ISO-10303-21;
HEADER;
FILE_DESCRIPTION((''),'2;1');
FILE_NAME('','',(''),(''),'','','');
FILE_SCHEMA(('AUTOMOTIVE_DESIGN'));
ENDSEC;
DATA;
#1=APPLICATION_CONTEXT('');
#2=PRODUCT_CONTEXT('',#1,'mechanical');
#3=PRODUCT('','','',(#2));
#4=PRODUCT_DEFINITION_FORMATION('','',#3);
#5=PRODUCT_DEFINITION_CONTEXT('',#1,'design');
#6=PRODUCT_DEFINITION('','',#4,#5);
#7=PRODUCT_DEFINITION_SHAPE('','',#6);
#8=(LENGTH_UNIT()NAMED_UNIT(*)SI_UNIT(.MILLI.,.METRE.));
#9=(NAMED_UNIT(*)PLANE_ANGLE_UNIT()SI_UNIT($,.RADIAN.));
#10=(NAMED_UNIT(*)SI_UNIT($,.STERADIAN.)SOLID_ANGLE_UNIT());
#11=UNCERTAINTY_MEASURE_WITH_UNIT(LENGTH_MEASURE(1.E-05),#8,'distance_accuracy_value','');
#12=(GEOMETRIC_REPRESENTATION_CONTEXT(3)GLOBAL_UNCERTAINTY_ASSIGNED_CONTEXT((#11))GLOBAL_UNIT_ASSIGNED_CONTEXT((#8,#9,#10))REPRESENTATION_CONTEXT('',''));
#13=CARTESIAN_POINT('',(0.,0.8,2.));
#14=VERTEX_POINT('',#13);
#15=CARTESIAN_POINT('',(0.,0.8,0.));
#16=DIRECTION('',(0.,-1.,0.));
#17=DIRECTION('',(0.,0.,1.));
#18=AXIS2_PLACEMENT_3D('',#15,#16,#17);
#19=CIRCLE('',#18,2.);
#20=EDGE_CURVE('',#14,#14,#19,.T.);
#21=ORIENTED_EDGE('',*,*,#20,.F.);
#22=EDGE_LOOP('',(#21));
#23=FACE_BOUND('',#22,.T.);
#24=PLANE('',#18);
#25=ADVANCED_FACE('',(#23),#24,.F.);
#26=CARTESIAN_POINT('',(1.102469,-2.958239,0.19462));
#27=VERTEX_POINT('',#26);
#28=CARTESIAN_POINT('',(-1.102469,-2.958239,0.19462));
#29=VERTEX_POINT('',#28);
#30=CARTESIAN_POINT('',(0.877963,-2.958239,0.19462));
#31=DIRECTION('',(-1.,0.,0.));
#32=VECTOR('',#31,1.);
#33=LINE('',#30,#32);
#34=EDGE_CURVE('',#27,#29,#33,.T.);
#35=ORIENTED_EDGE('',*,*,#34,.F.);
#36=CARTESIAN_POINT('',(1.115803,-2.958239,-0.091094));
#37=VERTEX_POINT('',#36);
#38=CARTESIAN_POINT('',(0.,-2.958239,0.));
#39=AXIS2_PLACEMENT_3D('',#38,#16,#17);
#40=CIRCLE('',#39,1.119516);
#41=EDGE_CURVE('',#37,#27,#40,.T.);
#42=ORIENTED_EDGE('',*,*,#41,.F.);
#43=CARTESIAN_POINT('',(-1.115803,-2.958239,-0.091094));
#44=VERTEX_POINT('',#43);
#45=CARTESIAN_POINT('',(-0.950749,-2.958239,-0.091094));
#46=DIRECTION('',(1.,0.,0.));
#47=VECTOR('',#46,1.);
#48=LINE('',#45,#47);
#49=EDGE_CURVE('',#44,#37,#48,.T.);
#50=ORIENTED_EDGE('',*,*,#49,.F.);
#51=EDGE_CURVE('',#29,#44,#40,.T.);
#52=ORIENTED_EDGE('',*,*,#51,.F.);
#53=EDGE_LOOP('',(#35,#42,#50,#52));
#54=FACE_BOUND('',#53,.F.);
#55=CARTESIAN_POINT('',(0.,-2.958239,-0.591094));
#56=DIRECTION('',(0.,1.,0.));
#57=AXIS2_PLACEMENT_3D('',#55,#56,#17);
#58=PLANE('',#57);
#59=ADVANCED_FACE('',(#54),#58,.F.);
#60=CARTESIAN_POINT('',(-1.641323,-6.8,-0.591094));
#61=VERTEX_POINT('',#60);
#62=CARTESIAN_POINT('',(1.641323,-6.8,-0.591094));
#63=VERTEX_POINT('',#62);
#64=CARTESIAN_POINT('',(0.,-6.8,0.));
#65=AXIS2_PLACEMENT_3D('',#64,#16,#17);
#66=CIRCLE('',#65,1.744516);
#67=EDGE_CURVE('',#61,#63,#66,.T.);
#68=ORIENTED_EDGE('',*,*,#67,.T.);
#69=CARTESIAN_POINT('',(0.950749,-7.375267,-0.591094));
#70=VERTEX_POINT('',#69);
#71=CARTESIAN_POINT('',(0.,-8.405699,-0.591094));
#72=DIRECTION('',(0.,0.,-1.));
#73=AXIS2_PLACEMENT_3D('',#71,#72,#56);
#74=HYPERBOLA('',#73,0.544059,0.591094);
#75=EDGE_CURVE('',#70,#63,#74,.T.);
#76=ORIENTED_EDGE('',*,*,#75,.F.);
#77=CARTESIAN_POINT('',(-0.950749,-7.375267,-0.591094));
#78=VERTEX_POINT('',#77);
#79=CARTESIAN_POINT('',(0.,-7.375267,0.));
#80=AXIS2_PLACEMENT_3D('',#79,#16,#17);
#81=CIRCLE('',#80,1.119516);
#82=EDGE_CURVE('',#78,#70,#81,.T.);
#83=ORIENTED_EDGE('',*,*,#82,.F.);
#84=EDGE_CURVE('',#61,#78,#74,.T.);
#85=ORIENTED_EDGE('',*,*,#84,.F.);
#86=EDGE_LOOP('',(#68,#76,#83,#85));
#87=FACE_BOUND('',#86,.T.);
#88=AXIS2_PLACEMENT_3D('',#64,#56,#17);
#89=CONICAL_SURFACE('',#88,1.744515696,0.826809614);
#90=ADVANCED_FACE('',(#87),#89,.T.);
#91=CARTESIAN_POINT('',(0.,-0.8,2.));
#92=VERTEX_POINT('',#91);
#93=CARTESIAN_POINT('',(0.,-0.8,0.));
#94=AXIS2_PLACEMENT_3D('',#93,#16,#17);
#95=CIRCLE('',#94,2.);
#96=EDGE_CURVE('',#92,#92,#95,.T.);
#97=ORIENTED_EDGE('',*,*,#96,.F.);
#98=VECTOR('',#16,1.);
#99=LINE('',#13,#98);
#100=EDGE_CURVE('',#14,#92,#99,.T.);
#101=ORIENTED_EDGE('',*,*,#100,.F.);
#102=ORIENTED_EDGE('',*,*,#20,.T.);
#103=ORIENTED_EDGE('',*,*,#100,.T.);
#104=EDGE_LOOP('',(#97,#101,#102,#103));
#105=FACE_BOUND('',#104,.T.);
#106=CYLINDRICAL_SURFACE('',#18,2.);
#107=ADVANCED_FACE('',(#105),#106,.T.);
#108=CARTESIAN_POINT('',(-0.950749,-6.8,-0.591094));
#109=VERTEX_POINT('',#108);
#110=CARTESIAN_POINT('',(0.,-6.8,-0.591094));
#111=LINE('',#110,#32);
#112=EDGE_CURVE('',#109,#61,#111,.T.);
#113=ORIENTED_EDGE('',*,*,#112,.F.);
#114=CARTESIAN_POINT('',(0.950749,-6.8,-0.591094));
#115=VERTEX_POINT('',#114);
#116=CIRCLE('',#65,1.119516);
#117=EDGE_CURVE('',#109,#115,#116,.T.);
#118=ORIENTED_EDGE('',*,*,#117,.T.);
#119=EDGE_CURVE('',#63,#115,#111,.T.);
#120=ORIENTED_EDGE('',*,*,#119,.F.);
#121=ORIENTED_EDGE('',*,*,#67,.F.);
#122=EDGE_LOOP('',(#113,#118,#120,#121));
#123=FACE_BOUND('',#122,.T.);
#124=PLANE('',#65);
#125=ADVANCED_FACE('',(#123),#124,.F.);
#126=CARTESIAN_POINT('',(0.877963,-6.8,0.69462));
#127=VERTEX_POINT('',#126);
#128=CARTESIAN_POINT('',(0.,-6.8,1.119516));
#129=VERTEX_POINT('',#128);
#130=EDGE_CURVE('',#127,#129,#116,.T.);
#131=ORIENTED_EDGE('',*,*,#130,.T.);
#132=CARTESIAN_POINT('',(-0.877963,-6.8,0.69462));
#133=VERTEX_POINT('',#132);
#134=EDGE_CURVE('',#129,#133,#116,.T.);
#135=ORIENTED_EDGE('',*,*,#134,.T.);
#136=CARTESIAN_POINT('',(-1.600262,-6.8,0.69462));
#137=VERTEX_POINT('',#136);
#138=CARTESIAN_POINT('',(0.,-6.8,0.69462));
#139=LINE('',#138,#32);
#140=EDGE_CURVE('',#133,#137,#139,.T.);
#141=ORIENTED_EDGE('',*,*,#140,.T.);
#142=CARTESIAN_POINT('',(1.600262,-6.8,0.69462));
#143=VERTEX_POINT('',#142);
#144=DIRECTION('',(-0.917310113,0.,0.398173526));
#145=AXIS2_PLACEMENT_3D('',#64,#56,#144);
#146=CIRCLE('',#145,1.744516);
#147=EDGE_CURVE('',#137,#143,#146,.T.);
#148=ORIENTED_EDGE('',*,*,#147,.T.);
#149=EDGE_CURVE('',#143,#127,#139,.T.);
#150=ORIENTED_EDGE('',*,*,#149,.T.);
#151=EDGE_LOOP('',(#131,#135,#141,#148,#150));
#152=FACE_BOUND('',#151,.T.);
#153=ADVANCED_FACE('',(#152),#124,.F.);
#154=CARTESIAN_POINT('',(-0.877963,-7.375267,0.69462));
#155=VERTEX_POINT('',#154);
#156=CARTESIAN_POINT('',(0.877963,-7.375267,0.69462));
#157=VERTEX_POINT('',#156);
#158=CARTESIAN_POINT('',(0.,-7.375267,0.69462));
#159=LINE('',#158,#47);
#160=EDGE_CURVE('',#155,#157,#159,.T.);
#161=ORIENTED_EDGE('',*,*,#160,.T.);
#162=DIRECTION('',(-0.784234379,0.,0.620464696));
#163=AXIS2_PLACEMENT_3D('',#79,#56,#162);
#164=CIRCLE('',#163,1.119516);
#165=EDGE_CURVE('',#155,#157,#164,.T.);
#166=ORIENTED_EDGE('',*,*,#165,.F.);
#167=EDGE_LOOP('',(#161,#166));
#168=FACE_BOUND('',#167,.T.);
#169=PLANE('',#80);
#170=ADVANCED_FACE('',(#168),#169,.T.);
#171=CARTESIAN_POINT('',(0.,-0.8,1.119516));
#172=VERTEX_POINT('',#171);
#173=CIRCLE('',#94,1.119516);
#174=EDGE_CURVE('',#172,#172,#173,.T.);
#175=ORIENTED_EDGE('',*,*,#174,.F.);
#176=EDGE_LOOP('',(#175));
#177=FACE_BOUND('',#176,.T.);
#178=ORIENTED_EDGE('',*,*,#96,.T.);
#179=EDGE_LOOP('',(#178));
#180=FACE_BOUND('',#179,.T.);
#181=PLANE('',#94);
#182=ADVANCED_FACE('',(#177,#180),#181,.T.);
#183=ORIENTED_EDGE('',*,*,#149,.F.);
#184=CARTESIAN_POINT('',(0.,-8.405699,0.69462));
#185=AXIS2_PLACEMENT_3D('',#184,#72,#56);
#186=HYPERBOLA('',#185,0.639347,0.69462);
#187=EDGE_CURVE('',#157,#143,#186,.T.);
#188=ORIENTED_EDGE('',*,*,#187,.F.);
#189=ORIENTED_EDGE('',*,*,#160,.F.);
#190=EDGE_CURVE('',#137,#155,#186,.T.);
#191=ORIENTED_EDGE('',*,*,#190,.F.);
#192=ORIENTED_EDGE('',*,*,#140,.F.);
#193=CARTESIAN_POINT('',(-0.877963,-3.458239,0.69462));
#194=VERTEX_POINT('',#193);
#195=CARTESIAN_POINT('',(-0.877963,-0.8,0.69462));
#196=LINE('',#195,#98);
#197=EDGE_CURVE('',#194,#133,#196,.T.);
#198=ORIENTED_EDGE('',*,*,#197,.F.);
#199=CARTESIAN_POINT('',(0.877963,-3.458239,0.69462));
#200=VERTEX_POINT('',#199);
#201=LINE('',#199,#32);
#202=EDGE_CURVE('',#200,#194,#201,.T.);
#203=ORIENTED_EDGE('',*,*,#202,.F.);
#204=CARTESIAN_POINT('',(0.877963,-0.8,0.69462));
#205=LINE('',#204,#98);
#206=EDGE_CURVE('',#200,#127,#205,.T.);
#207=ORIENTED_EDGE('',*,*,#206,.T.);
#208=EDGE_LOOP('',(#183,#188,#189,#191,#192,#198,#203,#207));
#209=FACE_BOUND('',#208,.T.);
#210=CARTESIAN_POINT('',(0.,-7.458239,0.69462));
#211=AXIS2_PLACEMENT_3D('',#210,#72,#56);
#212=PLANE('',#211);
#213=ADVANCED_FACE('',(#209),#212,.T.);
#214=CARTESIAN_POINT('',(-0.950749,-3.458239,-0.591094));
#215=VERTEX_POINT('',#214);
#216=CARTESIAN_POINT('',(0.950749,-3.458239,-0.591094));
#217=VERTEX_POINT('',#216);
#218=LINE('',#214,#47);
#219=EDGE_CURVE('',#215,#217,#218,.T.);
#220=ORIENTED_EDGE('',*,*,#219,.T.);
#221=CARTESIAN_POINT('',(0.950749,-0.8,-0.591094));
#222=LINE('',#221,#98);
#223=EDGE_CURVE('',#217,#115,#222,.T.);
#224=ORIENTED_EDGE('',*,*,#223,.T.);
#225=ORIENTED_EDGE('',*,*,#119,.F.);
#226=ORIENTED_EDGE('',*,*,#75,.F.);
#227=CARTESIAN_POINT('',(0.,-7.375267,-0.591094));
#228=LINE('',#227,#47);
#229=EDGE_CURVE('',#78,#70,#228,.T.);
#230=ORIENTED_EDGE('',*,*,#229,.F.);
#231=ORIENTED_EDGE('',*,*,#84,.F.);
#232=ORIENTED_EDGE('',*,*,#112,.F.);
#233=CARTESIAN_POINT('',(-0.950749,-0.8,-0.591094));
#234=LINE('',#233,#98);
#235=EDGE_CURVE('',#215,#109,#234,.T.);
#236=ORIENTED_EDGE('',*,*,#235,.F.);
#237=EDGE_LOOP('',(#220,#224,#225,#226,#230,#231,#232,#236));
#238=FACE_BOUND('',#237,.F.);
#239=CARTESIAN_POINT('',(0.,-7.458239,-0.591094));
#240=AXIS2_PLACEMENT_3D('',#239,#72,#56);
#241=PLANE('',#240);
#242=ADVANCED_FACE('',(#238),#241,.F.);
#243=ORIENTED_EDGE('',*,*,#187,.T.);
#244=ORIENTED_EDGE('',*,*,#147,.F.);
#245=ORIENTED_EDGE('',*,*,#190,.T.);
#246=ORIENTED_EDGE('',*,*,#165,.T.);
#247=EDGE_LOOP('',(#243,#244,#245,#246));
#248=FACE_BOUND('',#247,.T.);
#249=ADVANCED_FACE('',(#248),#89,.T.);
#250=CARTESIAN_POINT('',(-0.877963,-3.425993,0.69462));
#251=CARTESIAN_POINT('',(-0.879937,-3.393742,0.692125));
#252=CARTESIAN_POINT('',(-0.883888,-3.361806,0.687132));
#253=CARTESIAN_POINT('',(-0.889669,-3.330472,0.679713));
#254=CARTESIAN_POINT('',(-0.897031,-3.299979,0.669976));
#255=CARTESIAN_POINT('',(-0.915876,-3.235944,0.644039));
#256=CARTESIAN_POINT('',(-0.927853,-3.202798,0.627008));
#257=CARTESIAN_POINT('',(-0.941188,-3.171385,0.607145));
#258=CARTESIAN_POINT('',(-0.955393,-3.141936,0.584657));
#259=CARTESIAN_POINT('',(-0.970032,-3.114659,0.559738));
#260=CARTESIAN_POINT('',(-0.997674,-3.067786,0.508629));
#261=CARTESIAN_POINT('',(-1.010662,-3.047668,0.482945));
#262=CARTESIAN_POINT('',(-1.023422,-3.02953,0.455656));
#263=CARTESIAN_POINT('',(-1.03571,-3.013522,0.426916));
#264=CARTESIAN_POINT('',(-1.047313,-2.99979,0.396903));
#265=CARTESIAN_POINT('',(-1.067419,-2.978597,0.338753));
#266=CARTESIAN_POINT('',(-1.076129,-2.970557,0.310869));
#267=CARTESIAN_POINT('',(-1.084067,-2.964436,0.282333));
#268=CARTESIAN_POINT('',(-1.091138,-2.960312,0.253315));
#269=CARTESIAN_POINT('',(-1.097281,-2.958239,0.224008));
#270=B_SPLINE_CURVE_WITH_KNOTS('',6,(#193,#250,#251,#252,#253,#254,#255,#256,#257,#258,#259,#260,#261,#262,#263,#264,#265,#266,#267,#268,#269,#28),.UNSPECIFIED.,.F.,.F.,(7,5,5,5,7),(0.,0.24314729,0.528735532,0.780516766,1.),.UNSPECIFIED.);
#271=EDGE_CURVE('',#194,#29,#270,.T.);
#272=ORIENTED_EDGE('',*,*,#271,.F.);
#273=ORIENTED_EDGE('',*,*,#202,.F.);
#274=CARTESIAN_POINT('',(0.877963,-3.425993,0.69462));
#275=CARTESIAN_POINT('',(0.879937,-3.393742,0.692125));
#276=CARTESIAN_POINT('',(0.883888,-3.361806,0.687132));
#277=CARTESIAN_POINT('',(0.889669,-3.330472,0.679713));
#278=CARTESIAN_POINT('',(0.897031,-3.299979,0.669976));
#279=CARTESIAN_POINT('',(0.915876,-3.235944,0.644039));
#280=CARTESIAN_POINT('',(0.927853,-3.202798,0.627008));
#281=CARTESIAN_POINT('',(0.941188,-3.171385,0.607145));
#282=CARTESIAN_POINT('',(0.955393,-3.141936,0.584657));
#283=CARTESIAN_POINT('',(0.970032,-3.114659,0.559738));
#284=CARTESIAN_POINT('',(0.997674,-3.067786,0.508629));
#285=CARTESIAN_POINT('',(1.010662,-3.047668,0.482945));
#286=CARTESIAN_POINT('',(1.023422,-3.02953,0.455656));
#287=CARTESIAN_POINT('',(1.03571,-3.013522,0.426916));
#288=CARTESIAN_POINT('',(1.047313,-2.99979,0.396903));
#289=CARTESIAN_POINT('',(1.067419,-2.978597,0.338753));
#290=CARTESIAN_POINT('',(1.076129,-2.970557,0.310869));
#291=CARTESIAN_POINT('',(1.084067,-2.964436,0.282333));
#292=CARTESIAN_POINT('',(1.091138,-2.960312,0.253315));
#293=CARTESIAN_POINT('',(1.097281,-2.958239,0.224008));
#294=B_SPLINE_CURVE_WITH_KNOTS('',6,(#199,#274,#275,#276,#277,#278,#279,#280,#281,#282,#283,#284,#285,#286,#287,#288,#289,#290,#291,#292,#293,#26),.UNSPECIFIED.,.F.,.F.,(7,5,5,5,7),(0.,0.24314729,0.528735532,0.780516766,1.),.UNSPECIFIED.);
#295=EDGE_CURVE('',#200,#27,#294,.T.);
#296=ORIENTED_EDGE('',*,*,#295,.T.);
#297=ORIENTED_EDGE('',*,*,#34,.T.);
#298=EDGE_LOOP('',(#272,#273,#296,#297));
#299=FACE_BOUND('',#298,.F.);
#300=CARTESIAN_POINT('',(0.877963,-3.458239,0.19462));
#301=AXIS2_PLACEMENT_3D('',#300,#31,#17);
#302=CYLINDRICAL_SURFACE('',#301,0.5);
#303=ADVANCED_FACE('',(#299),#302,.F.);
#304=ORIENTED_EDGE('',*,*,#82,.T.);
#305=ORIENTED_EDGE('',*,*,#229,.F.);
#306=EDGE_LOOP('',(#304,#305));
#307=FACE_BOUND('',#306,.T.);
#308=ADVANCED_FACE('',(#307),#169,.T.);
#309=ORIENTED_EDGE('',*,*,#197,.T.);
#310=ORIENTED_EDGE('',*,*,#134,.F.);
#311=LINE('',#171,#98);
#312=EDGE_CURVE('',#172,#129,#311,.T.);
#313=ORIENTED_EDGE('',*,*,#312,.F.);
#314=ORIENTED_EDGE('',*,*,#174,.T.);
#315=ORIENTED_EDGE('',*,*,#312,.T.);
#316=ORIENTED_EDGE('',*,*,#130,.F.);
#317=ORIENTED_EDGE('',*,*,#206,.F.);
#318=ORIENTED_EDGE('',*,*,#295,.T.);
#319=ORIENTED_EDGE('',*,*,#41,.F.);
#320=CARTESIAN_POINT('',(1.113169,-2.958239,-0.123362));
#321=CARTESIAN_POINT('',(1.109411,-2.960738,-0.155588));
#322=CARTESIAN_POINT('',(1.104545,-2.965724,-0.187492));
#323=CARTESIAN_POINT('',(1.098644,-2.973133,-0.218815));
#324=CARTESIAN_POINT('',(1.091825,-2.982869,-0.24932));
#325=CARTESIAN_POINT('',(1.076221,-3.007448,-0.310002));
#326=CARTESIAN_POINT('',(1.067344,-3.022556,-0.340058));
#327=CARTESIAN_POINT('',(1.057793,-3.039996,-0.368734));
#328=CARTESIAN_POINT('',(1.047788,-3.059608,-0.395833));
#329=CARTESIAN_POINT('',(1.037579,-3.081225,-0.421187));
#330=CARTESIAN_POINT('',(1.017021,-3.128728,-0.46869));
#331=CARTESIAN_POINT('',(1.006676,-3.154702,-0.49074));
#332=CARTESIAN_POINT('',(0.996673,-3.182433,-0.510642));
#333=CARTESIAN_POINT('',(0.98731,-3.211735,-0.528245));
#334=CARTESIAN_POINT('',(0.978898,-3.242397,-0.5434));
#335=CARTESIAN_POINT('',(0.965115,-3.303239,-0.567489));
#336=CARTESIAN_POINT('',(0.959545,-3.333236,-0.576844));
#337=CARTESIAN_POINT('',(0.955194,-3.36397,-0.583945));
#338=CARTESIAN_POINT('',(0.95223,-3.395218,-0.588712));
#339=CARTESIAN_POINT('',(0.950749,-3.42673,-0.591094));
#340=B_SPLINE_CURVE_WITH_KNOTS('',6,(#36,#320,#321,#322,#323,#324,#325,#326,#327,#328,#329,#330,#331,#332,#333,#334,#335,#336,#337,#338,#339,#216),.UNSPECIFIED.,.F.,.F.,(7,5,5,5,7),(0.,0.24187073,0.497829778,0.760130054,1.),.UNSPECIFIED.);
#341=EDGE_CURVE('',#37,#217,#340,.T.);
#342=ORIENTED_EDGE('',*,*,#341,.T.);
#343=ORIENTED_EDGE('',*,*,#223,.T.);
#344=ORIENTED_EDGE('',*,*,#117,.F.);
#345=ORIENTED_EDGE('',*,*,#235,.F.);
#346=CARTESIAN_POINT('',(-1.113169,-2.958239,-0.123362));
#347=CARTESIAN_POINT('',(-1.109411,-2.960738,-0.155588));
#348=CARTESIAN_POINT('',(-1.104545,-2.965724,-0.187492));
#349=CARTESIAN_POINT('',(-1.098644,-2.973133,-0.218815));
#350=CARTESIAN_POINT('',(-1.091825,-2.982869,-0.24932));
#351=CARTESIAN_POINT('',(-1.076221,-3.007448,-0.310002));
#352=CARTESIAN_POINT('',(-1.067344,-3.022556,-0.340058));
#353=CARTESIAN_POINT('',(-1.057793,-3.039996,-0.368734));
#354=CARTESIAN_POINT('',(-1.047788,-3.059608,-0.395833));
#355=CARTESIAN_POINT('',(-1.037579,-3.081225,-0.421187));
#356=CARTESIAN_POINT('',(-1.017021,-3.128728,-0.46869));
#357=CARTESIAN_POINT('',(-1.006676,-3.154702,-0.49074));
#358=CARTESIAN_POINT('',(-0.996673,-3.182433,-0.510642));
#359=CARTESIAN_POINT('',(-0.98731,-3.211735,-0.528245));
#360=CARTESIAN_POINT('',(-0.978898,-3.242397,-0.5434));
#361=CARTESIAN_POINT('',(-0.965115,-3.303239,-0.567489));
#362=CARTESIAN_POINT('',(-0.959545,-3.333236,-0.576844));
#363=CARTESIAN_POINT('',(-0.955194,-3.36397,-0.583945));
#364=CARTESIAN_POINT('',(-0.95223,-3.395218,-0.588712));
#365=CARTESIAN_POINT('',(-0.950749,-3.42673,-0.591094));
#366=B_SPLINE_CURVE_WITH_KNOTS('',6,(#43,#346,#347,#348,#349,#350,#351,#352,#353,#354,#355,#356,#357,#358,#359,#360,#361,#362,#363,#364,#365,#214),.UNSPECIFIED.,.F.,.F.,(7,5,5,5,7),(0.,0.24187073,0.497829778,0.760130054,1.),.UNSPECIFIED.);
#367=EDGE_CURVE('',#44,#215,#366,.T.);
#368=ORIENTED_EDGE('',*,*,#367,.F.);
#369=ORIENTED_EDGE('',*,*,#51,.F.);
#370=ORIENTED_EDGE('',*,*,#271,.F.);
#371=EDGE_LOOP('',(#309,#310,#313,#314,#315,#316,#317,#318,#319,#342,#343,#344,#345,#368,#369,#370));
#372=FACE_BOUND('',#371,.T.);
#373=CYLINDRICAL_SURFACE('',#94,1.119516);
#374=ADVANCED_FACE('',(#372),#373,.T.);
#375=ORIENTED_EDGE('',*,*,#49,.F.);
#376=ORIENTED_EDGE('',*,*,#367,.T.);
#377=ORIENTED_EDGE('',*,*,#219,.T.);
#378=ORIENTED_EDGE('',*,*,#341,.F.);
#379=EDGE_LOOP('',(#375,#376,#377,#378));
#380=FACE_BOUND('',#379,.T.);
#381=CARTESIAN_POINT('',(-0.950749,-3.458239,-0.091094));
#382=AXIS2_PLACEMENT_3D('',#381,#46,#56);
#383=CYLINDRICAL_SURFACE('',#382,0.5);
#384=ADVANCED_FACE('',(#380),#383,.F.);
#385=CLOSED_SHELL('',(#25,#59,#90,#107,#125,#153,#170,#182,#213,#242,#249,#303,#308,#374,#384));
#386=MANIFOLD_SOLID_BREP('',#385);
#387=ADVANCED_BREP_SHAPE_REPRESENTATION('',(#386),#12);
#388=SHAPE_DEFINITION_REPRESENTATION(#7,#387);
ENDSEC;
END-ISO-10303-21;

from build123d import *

# Parameters (mm, degrees)
F2_W     = 4.5
F2_H     = 1.2857143477
F3_DEPTH = 12.5
F4_R     = 0.5


with BuildPart() as f1:
    # F0 (on Right) → F1 (revolve)
    with BuildSketch(Plane.YZ):
        Polygon((-7.3752667787, 1.1195156959), (-6.8, 1.1195156959), (-6.8, 1.7445156959), align=None)
        Polygon((-7.3752667787, 0), (-0.8, 0), (-0.8, 1.1195156959), (-6.8, 1.1195156959), (-7.3752667787, 1.1195156959), align=None)
        Polygon((-0.8, 0), (0.8, 0), (0.8, 2), (-0.8, 2), (-0.8, 1.1195156959), align=None)
    revolve(axis=Axis((0, -2.8302398277, 0), (0, -1, 0)))

    # F2 (on Right) → F3 (cut, symmetric)
    with BuildSketch(Plane.YZ):
        with Locations((-5.2082390757, 0.0517627923)):
            Rectangle(F2_W, F2_H)
    extrude(amount=F3_DEPTH, both=True, mode=Mode.SUBTRACT)

    # F4
    f4_edges = [f1.edges().sort_by_distance(p)[0] for p in [
        (0, -2.958239, -0.591094),
        (0, -2.958239, 0.69462),
    ]]
    fillet(f4_edges, radius=F4_R)


solid = f1.part
